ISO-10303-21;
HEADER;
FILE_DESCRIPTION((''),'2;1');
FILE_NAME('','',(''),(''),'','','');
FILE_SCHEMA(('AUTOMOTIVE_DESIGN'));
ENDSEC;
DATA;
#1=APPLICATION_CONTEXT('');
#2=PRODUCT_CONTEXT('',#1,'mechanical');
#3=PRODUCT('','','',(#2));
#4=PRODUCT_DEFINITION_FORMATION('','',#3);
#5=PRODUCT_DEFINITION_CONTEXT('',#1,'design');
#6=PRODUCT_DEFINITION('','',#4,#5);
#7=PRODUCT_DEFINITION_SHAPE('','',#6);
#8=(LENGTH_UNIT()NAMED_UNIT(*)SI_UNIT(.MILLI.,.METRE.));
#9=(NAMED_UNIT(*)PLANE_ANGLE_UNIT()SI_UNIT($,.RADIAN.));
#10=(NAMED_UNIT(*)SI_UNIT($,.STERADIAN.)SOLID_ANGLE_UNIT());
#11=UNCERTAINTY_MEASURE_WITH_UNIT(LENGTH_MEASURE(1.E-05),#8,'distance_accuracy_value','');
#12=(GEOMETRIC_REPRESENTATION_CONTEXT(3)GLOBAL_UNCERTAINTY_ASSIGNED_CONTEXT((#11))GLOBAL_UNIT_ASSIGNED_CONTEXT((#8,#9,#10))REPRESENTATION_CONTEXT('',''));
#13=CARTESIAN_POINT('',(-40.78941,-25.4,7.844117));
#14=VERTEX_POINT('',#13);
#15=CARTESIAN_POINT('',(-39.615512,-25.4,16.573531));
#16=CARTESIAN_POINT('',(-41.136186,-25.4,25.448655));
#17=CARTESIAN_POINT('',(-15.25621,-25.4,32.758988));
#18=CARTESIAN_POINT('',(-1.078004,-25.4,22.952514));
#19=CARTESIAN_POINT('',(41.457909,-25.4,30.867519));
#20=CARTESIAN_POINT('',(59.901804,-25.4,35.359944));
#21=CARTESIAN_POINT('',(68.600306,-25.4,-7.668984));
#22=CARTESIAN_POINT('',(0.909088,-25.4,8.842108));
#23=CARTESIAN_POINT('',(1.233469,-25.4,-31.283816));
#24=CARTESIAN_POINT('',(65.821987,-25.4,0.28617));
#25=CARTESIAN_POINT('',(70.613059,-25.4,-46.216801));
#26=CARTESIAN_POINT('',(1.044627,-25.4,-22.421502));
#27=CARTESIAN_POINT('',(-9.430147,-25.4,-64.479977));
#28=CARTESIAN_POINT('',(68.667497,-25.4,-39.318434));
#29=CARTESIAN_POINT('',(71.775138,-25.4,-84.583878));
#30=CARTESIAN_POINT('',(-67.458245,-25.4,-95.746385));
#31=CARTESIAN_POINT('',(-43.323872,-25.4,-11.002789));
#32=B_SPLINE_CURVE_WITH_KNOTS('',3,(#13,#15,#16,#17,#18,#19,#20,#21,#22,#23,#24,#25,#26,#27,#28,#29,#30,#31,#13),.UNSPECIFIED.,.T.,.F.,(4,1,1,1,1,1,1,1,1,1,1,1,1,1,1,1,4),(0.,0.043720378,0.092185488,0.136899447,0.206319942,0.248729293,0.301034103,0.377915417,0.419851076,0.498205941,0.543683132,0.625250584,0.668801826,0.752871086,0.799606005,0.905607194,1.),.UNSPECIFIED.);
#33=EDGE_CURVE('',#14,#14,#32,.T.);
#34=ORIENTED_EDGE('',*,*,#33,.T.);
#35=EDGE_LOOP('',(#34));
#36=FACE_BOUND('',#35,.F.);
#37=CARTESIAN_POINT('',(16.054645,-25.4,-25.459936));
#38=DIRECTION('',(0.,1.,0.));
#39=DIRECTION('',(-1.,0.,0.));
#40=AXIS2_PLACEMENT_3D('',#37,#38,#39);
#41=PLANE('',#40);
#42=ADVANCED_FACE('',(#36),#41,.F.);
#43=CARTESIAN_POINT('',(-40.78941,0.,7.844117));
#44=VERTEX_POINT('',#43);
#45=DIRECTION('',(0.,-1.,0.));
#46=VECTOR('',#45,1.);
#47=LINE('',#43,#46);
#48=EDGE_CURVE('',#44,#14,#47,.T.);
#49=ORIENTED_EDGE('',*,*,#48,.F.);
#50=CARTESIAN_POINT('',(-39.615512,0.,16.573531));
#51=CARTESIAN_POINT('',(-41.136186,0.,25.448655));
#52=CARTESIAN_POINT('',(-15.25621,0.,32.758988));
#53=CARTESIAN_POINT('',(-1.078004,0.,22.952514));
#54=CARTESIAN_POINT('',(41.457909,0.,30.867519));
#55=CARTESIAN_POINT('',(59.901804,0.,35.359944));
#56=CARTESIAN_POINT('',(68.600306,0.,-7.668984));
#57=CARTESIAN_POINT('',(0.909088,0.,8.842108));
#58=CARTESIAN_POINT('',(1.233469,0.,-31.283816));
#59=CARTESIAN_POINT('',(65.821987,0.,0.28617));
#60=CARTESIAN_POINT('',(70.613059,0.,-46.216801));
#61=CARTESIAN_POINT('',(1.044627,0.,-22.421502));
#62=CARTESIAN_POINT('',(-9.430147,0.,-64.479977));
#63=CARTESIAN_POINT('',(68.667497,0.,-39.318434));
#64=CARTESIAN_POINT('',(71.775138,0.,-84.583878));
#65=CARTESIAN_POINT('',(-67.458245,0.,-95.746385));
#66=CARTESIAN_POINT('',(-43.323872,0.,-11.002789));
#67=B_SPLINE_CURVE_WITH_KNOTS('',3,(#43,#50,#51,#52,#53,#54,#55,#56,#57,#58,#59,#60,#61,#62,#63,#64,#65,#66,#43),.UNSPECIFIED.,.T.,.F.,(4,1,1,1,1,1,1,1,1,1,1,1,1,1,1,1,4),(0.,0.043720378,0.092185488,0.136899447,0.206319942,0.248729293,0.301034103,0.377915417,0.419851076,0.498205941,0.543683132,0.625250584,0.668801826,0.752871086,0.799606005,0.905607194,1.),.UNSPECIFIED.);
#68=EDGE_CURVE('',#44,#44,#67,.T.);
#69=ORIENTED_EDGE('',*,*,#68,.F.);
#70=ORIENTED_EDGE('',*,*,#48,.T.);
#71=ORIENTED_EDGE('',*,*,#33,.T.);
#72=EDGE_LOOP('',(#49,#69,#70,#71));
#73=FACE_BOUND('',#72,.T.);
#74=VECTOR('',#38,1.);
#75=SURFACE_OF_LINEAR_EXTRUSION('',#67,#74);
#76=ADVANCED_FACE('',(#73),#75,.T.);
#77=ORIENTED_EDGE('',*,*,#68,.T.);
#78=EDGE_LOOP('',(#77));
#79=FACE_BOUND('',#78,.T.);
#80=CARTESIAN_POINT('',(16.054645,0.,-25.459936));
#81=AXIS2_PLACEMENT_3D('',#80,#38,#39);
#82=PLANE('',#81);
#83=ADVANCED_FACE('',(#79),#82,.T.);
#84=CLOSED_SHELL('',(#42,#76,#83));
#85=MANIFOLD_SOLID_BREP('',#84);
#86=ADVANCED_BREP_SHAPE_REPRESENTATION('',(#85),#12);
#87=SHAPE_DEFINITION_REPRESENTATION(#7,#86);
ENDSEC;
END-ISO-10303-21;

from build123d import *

# Parameters (mm, degrees)
F1_DEPTH = 25.4


with BuildPart() as f1:
    # F0 (on Front) → F1 (new body)
    with BuildSketch(Plane.XZ):
        with BuildLine():
            add(Edge.make_bspline(
                [(-40.7894104719, 7.8441174701), (-39.6155115104, 16.5735313313), (-41.1361861731, 25.4486549891), (-15.2562104541, 32.7589881165), (-1.0780040216, 22.9525136288), (41.4579092734, 30.86751909), (59.9018037273, 35.3599444228), (68.6003058767, -7.6689843668), (0.9090884115, 8.8421083262), (1.2334690149, -31.28381553), (65.8219874918, 0.2861702908), (70.6130585675, -46.2168005897), (1.0446268301, -22.4215015566), (-9.4301474946, -64.4799774309), (68.6674969724, -39.3184340425), (71.7751383204, -84.583878424), (-67.4582448993, -95.7463849487), (-43.323872031, -11.0027889414), (-40.7894104719, 7.8441174701)],
                knots=[0, 0, 0, 0, 0.0437203777, 0.0921854877, 0.1368994467, 0.2063199418, 0.2487292929, 0.3010341027, 0.3779154168, 0.4198510757, 0.498205941, 0.5436831322, 0.6252505839, 0.6688018262, 0.7528710857, 0.7996060051, 0.9056071943, 1, 1, 1, 1], degree=3))
        make_face()
    extrude(amount=F1_DEPTH)


solid = f1.part
